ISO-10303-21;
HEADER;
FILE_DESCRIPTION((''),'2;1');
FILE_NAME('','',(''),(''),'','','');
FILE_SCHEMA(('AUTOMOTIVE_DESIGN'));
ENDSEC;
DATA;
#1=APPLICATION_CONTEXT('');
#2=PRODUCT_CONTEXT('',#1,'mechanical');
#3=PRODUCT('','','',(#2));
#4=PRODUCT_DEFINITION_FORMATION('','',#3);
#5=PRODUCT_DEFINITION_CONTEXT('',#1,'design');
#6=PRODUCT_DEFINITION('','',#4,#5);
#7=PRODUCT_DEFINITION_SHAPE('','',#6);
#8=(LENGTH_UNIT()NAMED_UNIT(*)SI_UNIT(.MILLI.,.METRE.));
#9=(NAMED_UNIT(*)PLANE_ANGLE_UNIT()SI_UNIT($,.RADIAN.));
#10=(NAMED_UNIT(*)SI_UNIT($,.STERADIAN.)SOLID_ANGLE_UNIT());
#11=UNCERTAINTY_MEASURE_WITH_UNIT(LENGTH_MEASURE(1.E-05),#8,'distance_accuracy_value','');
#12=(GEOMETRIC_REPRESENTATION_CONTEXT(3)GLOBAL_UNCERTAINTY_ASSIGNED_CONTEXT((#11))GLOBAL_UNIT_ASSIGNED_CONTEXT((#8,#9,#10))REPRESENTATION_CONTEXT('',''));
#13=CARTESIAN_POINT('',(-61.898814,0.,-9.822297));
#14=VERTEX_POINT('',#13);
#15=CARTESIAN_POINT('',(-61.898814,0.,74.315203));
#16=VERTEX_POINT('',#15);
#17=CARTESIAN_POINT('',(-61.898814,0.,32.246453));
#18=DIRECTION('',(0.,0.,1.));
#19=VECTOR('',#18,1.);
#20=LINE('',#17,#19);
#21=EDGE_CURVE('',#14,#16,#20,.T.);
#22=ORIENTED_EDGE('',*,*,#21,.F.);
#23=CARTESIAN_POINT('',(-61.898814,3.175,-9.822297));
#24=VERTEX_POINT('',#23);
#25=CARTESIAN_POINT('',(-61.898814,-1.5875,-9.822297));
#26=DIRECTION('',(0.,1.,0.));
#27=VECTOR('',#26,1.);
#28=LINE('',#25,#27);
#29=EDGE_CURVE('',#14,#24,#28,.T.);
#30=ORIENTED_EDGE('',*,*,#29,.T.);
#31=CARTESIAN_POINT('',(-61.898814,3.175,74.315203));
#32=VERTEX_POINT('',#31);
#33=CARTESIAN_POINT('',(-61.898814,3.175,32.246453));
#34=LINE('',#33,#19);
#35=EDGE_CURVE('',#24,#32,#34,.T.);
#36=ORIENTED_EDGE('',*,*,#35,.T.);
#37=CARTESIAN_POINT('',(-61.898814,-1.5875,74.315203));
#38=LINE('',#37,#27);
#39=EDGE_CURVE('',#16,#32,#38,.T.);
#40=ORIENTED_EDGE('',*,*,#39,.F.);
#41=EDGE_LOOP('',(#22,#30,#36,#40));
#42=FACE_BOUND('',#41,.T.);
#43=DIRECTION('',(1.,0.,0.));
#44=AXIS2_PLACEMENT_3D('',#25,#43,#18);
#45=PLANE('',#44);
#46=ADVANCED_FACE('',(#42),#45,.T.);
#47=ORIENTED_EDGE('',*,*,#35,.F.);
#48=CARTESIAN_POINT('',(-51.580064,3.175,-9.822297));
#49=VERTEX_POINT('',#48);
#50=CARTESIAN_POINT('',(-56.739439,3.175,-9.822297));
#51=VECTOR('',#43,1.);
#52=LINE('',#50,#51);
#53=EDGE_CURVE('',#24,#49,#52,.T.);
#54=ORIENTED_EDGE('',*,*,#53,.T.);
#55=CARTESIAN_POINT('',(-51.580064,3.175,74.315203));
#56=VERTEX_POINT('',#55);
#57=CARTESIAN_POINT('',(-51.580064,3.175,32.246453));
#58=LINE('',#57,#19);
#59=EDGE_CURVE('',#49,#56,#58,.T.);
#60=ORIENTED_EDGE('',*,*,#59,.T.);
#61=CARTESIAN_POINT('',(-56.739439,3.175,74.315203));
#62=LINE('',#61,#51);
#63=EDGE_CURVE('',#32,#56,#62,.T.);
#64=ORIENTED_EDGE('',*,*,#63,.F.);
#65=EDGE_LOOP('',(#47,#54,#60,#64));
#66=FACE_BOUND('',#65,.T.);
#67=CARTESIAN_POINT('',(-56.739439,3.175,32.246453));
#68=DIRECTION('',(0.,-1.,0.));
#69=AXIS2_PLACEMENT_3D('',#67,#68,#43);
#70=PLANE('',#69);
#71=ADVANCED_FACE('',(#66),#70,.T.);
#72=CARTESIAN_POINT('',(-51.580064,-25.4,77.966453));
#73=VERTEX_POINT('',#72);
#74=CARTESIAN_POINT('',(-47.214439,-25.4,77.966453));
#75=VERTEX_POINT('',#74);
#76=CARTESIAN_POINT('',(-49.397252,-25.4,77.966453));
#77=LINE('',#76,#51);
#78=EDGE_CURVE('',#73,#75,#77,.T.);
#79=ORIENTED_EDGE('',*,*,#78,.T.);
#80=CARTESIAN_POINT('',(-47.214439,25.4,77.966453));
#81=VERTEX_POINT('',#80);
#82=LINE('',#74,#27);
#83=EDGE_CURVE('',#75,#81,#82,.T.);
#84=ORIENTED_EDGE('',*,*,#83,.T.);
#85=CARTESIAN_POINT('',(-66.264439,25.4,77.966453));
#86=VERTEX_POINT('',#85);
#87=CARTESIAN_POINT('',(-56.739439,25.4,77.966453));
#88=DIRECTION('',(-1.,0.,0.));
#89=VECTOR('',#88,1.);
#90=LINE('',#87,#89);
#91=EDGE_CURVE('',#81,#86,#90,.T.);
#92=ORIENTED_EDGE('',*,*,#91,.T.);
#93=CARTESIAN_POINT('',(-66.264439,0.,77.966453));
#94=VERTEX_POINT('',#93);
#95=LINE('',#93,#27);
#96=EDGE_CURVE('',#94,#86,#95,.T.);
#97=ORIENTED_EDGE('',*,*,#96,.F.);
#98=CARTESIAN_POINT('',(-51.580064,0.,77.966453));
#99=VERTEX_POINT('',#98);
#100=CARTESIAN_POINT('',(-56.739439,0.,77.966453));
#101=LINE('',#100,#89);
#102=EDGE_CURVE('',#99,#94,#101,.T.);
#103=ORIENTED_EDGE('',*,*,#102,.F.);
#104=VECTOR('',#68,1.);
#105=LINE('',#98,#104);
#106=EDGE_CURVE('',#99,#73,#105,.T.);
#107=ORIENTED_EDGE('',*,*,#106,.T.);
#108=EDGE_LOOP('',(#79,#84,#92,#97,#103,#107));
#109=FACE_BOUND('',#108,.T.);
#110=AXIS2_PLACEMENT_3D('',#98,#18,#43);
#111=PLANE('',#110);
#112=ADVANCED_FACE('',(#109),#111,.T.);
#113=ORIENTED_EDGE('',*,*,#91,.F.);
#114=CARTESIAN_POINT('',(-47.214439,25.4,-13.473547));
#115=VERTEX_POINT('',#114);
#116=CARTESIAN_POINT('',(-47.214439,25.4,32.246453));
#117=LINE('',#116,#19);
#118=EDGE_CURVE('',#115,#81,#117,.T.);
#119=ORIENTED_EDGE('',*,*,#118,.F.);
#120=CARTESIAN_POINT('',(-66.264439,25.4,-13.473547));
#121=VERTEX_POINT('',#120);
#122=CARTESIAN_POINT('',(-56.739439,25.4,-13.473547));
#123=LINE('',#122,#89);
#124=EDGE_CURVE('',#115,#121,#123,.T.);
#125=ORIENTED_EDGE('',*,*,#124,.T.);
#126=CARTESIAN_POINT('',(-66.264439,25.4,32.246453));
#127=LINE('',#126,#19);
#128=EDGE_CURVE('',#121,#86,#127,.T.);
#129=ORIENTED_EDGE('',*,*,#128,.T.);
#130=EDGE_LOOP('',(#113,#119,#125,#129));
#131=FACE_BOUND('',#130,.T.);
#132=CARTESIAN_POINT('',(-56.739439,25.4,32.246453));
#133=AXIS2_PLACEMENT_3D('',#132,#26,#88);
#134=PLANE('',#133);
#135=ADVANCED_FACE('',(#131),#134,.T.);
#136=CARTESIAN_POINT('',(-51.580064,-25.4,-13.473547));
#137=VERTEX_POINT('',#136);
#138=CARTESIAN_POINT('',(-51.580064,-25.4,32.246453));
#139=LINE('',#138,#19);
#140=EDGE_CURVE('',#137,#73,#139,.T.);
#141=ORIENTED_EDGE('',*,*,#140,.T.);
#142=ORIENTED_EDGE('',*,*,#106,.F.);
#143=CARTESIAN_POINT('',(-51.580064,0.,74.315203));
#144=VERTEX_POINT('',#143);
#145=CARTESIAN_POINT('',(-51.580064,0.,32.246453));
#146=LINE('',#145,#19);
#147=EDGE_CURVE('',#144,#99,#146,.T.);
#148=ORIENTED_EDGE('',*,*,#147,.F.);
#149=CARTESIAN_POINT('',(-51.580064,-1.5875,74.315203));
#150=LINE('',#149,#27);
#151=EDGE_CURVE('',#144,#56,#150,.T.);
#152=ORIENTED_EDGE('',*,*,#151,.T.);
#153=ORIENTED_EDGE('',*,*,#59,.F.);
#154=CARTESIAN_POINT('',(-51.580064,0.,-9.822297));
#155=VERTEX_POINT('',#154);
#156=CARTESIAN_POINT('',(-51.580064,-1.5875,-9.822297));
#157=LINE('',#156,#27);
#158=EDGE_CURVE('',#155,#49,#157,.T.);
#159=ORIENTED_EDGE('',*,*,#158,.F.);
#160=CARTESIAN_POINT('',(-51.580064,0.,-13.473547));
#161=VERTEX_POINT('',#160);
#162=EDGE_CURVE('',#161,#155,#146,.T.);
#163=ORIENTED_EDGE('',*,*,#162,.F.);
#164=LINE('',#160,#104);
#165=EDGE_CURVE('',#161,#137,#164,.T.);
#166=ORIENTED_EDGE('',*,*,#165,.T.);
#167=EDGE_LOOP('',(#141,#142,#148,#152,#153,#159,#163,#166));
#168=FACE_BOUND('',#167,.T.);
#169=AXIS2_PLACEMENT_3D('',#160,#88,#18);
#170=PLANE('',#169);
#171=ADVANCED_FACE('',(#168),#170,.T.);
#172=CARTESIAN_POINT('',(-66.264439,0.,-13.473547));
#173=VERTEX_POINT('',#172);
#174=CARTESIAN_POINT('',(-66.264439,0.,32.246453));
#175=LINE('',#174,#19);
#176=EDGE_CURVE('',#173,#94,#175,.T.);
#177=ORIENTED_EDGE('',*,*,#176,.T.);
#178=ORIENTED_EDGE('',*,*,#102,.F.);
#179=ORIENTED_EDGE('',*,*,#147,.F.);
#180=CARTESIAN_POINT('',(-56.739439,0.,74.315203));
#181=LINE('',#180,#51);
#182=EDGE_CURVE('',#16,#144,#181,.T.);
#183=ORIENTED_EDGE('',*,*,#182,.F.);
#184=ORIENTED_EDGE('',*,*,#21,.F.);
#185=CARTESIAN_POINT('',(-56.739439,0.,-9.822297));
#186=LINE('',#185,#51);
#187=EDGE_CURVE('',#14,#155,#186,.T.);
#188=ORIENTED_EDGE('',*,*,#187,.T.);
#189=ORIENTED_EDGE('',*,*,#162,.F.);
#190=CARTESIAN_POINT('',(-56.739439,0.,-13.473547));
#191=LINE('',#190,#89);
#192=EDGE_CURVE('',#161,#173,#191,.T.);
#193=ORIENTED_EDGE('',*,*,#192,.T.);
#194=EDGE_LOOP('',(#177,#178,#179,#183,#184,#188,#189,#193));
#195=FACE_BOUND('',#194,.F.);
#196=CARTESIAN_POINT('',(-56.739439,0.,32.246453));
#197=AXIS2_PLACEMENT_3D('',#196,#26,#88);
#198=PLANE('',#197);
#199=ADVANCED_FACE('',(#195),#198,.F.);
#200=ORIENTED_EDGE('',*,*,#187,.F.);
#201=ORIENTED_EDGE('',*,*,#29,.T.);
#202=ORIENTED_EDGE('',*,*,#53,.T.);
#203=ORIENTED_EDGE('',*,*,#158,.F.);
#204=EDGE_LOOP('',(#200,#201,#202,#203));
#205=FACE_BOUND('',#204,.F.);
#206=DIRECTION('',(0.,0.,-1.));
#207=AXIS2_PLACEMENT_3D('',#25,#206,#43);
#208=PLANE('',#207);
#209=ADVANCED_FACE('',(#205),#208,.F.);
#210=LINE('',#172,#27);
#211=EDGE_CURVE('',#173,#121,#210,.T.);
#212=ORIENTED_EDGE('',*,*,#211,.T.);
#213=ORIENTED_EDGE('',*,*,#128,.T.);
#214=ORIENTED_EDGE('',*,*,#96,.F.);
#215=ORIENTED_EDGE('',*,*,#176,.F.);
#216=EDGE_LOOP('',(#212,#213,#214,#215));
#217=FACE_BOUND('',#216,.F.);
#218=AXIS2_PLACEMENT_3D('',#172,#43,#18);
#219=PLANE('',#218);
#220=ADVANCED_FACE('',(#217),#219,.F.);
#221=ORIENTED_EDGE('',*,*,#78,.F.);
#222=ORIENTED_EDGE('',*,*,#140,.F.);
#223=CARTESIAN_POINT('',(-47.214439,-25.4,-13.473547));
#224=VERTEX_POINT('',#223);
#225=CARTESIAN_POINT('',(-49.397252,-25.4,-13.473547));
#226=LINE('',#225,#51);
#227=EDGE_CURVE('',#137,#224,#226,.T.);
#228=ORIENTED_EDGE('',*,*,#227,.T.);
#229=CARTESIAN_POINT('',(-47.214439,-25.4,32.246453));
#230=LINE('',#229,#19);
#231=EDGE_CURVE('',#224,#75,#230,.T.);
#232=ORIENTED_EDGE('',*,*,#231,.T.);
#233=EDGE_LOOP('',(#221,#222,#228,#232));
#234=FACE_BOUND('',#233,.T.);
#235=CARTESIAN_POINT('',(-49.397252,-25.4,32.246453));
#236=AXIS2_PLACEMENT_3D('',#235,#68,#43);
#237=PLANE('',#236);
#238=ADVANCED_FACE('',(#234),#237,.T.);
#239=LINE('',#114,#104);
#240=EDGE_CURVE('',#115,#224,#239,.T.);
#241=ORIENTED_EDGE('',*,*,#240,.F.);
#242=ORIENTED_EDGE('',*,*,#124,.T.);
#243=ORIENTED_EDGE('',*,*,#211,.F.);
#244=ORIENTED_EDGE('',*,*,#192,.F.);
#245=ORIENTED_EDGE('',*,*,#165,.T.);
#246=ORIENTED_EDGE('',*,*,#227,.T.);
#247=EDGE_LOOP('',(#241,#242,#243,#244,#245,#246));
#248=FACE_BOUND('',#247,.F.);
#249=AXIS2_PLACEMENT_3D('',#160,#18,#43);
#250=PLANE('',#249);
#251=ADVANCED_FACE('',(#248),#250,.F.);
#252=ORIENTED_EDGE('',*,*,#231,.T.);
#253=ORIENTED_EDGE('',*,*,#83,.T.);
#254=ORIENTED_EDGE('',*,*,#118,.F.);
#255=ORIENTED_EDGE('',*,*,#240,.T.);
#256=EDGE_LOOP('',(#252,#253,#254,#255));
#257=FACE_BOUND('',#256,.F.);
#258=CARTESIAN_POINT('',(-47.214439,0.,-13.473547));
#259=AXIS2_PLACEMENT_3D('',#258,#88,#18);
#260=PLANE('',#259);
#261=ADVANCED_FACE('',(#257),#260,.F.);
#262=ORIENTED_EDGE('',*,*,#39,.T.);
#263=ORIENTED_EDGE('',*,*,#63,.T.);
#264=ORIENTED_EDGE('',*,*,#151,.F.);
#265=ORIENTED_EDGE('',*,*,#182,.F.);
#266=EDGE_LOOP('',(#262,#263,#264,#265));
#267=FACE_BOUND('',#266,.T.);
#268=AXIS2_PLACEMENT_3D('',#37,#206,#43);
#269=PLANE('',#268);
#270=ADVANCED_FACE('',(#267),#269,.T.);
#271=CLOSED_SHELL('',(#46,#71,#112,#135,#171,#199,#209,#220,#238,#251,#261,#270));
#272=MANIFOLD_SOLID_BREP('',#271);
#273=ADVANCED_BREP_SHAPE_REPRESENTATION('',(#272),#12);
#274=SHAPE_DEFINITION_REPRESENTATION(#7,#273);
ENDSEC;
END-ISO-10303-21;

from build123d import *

# Parameters (mm, degrees)
F0_W     = 10.31875
F0_H     = 84.1375
F1_DEPTH = 1.5875
F2_W     = 19.05
F2_H     = 91.44
F3_DEPTH = 25.4
F4_W     = 10.31875
F4_H     = 84.1375
F5_DEPTH = 4.7625
F6_W     = 4.365625
F6_H     = 91.44
F7_DEPTH = 25.4


with BuildPart() as f1:
    # F0 (on Front) → F1 (new body)
    with BuildSketch(Plane.XZ):
        with Locations((-56.7394390884, 32.2464529891)):
            Rectangle(F0_W, F0_H)
    extrude(amount=F1_DEPTH)

    # F2 (on face) → F3 (join)
    with BuildSketch(Plane(origin=(0, 0, 0), x_dir=(-1, 0, 0), z_dir=(0, 1, 0))):
        with Locations((56.7394390884, 32.2464529891)):
            Rectangle(F2_W, F2_H)
    extrude(amount=F3_DEPTH)

    # F4 (on face) → F5 (cut)
    with BuildSketch(Plane.XZ.offset(1.5875)):
        with Locations((-56.7394390884, 32.2464529891)):
            Rectangle(F4_W, F4_H)
    extrude(amount=-F5_DEPTH, mode=Mode.SUBTRACT)

    # F6 (on face) → F7 (join)
    with BuildSketch(Plane.XZ):
        with Locations((-49.3972515884, 32.2464529891)):
            Rectangle(F6_W, F6_H)
    extrude(amount=F7_DEPTH)


solid = f1.part
